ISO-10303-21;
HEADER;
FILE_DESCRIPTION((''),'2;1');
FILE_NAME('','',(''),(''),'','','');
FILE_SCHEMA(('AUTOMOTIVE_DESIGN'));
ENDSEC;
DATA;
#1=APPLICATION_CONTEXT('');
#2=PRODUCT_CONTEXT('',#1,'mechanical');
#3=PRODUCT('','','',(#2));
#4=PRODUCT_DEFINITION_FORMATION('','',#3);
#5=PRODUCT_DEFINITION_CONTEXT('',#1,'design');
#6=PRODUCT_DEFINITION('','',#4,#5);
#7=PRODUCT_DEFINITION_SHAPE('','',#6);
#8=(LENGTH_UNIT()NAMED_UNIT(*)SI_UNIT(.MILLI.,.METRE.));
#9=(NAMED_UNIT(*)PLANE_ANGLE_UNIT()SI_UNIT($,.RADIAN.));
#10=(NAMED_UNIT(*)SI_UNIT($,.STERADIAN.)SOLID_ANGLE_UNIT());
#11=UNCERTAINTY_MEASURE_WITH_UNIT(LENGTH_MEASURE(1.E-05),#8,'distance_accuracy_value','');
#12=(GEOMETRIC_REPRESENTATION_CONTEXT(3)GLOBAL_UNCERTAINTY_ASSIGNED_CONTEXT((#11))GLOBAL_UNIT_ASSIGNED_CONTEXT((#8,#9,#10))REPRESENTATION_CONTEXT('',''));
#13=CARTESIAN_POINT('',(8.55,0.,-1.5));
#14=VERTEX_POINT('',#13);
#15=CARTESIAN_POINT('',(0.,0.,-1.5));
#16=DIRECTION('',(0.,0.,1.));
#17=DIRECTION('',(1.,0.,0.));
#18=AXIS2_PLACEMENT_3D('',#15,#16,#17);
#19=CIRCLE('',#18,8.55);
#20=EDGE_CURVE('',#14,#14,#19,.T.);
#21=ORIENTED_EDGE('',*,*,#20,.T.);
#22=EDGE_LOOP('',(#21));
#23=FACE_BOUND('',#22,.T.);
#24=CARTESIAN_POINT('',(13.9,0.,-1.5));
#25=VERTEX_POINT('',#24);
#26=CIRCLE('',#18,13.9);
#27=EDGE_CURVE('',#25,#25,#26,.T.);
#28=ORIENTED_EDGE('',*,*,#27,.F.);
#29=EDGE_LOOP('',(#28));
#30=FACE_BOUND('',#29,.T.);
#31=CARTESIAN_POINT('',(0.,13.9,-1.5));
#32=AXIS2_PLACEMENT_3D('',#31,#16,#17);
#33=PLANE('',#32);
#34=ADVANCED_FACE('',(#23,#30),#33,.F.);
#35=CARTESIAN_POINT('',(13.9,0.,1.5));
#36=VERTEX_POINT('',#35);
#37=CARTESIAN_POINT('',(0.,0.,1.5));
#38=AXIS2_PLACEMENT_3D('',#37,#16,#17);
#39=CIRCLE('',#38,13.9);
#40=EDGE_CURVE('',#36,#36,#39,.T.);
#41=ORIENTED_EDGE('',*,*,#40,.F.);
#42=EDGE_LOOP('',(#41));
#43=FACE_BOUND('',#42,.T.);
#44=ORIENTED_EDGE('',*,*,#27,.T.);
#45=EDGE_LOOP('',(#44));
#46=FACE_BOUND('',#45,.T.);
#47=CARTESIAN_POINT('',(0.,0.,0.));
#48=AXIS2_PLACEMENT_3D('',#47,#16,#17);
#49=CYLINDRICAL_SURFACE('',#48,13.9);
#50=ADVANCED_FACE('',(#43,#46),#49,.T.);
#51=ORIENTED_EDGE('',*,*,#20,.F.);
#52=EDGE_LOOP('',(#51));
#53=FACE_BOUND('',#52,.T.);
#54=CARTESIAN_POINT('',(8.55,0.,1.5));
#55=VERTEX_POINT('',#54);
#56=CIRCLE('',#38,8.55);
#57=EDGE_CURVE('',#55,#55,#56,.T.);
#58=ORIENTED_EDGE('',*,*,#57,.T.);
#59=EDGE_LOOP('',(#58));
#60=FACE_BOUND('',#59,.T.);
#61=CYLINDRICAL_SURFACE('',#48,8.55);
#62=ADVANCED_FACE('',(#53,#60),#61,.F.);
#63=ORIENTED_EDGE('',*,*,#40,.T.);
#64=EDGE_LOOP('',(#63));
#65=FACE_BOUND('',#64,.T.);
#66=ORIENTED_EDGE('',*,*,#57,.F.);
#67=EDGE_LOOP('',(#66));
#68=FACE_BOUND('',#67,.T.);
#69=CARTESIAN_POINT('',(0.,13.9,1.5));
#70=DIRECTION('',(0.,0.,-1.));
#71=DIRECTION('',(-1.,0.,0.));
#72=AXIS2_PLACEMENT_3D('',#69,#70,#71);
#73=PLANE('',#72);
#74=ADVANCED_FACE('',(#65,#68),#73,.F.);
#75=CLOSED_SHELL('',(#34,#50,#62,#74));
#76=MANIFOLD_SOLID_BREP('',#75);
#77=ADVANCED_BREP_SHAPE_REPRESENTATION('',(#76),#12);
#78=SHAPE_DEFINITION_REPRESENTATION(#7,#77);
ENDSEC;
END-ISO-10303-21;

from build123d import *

# Parameters (mm, degrees)
SKETCH1_W = 3
SKETCH1_H = 5.35


with BuildPart() as part:
    # Sketch1 → Revolve1 (revolve)
    with BuildSketch(Plane(origin=(0, 0, 0), x_dir=(0, 0, -1), z_dir=(1, 0, 0)), mode=Mode.PRIVATE) as revolve1_sk:
        with Locations((0, 11.225)):
            Rectangle(SKETCH1_W, SKETCH1_H)
    revolve(revolve1_sk.sketch.rotate(Axis((0, 0, 0), (0, 0, -1)), 90), axis=Axis((0, 0, 0), (0, 0, -1)))


solid = part.part
